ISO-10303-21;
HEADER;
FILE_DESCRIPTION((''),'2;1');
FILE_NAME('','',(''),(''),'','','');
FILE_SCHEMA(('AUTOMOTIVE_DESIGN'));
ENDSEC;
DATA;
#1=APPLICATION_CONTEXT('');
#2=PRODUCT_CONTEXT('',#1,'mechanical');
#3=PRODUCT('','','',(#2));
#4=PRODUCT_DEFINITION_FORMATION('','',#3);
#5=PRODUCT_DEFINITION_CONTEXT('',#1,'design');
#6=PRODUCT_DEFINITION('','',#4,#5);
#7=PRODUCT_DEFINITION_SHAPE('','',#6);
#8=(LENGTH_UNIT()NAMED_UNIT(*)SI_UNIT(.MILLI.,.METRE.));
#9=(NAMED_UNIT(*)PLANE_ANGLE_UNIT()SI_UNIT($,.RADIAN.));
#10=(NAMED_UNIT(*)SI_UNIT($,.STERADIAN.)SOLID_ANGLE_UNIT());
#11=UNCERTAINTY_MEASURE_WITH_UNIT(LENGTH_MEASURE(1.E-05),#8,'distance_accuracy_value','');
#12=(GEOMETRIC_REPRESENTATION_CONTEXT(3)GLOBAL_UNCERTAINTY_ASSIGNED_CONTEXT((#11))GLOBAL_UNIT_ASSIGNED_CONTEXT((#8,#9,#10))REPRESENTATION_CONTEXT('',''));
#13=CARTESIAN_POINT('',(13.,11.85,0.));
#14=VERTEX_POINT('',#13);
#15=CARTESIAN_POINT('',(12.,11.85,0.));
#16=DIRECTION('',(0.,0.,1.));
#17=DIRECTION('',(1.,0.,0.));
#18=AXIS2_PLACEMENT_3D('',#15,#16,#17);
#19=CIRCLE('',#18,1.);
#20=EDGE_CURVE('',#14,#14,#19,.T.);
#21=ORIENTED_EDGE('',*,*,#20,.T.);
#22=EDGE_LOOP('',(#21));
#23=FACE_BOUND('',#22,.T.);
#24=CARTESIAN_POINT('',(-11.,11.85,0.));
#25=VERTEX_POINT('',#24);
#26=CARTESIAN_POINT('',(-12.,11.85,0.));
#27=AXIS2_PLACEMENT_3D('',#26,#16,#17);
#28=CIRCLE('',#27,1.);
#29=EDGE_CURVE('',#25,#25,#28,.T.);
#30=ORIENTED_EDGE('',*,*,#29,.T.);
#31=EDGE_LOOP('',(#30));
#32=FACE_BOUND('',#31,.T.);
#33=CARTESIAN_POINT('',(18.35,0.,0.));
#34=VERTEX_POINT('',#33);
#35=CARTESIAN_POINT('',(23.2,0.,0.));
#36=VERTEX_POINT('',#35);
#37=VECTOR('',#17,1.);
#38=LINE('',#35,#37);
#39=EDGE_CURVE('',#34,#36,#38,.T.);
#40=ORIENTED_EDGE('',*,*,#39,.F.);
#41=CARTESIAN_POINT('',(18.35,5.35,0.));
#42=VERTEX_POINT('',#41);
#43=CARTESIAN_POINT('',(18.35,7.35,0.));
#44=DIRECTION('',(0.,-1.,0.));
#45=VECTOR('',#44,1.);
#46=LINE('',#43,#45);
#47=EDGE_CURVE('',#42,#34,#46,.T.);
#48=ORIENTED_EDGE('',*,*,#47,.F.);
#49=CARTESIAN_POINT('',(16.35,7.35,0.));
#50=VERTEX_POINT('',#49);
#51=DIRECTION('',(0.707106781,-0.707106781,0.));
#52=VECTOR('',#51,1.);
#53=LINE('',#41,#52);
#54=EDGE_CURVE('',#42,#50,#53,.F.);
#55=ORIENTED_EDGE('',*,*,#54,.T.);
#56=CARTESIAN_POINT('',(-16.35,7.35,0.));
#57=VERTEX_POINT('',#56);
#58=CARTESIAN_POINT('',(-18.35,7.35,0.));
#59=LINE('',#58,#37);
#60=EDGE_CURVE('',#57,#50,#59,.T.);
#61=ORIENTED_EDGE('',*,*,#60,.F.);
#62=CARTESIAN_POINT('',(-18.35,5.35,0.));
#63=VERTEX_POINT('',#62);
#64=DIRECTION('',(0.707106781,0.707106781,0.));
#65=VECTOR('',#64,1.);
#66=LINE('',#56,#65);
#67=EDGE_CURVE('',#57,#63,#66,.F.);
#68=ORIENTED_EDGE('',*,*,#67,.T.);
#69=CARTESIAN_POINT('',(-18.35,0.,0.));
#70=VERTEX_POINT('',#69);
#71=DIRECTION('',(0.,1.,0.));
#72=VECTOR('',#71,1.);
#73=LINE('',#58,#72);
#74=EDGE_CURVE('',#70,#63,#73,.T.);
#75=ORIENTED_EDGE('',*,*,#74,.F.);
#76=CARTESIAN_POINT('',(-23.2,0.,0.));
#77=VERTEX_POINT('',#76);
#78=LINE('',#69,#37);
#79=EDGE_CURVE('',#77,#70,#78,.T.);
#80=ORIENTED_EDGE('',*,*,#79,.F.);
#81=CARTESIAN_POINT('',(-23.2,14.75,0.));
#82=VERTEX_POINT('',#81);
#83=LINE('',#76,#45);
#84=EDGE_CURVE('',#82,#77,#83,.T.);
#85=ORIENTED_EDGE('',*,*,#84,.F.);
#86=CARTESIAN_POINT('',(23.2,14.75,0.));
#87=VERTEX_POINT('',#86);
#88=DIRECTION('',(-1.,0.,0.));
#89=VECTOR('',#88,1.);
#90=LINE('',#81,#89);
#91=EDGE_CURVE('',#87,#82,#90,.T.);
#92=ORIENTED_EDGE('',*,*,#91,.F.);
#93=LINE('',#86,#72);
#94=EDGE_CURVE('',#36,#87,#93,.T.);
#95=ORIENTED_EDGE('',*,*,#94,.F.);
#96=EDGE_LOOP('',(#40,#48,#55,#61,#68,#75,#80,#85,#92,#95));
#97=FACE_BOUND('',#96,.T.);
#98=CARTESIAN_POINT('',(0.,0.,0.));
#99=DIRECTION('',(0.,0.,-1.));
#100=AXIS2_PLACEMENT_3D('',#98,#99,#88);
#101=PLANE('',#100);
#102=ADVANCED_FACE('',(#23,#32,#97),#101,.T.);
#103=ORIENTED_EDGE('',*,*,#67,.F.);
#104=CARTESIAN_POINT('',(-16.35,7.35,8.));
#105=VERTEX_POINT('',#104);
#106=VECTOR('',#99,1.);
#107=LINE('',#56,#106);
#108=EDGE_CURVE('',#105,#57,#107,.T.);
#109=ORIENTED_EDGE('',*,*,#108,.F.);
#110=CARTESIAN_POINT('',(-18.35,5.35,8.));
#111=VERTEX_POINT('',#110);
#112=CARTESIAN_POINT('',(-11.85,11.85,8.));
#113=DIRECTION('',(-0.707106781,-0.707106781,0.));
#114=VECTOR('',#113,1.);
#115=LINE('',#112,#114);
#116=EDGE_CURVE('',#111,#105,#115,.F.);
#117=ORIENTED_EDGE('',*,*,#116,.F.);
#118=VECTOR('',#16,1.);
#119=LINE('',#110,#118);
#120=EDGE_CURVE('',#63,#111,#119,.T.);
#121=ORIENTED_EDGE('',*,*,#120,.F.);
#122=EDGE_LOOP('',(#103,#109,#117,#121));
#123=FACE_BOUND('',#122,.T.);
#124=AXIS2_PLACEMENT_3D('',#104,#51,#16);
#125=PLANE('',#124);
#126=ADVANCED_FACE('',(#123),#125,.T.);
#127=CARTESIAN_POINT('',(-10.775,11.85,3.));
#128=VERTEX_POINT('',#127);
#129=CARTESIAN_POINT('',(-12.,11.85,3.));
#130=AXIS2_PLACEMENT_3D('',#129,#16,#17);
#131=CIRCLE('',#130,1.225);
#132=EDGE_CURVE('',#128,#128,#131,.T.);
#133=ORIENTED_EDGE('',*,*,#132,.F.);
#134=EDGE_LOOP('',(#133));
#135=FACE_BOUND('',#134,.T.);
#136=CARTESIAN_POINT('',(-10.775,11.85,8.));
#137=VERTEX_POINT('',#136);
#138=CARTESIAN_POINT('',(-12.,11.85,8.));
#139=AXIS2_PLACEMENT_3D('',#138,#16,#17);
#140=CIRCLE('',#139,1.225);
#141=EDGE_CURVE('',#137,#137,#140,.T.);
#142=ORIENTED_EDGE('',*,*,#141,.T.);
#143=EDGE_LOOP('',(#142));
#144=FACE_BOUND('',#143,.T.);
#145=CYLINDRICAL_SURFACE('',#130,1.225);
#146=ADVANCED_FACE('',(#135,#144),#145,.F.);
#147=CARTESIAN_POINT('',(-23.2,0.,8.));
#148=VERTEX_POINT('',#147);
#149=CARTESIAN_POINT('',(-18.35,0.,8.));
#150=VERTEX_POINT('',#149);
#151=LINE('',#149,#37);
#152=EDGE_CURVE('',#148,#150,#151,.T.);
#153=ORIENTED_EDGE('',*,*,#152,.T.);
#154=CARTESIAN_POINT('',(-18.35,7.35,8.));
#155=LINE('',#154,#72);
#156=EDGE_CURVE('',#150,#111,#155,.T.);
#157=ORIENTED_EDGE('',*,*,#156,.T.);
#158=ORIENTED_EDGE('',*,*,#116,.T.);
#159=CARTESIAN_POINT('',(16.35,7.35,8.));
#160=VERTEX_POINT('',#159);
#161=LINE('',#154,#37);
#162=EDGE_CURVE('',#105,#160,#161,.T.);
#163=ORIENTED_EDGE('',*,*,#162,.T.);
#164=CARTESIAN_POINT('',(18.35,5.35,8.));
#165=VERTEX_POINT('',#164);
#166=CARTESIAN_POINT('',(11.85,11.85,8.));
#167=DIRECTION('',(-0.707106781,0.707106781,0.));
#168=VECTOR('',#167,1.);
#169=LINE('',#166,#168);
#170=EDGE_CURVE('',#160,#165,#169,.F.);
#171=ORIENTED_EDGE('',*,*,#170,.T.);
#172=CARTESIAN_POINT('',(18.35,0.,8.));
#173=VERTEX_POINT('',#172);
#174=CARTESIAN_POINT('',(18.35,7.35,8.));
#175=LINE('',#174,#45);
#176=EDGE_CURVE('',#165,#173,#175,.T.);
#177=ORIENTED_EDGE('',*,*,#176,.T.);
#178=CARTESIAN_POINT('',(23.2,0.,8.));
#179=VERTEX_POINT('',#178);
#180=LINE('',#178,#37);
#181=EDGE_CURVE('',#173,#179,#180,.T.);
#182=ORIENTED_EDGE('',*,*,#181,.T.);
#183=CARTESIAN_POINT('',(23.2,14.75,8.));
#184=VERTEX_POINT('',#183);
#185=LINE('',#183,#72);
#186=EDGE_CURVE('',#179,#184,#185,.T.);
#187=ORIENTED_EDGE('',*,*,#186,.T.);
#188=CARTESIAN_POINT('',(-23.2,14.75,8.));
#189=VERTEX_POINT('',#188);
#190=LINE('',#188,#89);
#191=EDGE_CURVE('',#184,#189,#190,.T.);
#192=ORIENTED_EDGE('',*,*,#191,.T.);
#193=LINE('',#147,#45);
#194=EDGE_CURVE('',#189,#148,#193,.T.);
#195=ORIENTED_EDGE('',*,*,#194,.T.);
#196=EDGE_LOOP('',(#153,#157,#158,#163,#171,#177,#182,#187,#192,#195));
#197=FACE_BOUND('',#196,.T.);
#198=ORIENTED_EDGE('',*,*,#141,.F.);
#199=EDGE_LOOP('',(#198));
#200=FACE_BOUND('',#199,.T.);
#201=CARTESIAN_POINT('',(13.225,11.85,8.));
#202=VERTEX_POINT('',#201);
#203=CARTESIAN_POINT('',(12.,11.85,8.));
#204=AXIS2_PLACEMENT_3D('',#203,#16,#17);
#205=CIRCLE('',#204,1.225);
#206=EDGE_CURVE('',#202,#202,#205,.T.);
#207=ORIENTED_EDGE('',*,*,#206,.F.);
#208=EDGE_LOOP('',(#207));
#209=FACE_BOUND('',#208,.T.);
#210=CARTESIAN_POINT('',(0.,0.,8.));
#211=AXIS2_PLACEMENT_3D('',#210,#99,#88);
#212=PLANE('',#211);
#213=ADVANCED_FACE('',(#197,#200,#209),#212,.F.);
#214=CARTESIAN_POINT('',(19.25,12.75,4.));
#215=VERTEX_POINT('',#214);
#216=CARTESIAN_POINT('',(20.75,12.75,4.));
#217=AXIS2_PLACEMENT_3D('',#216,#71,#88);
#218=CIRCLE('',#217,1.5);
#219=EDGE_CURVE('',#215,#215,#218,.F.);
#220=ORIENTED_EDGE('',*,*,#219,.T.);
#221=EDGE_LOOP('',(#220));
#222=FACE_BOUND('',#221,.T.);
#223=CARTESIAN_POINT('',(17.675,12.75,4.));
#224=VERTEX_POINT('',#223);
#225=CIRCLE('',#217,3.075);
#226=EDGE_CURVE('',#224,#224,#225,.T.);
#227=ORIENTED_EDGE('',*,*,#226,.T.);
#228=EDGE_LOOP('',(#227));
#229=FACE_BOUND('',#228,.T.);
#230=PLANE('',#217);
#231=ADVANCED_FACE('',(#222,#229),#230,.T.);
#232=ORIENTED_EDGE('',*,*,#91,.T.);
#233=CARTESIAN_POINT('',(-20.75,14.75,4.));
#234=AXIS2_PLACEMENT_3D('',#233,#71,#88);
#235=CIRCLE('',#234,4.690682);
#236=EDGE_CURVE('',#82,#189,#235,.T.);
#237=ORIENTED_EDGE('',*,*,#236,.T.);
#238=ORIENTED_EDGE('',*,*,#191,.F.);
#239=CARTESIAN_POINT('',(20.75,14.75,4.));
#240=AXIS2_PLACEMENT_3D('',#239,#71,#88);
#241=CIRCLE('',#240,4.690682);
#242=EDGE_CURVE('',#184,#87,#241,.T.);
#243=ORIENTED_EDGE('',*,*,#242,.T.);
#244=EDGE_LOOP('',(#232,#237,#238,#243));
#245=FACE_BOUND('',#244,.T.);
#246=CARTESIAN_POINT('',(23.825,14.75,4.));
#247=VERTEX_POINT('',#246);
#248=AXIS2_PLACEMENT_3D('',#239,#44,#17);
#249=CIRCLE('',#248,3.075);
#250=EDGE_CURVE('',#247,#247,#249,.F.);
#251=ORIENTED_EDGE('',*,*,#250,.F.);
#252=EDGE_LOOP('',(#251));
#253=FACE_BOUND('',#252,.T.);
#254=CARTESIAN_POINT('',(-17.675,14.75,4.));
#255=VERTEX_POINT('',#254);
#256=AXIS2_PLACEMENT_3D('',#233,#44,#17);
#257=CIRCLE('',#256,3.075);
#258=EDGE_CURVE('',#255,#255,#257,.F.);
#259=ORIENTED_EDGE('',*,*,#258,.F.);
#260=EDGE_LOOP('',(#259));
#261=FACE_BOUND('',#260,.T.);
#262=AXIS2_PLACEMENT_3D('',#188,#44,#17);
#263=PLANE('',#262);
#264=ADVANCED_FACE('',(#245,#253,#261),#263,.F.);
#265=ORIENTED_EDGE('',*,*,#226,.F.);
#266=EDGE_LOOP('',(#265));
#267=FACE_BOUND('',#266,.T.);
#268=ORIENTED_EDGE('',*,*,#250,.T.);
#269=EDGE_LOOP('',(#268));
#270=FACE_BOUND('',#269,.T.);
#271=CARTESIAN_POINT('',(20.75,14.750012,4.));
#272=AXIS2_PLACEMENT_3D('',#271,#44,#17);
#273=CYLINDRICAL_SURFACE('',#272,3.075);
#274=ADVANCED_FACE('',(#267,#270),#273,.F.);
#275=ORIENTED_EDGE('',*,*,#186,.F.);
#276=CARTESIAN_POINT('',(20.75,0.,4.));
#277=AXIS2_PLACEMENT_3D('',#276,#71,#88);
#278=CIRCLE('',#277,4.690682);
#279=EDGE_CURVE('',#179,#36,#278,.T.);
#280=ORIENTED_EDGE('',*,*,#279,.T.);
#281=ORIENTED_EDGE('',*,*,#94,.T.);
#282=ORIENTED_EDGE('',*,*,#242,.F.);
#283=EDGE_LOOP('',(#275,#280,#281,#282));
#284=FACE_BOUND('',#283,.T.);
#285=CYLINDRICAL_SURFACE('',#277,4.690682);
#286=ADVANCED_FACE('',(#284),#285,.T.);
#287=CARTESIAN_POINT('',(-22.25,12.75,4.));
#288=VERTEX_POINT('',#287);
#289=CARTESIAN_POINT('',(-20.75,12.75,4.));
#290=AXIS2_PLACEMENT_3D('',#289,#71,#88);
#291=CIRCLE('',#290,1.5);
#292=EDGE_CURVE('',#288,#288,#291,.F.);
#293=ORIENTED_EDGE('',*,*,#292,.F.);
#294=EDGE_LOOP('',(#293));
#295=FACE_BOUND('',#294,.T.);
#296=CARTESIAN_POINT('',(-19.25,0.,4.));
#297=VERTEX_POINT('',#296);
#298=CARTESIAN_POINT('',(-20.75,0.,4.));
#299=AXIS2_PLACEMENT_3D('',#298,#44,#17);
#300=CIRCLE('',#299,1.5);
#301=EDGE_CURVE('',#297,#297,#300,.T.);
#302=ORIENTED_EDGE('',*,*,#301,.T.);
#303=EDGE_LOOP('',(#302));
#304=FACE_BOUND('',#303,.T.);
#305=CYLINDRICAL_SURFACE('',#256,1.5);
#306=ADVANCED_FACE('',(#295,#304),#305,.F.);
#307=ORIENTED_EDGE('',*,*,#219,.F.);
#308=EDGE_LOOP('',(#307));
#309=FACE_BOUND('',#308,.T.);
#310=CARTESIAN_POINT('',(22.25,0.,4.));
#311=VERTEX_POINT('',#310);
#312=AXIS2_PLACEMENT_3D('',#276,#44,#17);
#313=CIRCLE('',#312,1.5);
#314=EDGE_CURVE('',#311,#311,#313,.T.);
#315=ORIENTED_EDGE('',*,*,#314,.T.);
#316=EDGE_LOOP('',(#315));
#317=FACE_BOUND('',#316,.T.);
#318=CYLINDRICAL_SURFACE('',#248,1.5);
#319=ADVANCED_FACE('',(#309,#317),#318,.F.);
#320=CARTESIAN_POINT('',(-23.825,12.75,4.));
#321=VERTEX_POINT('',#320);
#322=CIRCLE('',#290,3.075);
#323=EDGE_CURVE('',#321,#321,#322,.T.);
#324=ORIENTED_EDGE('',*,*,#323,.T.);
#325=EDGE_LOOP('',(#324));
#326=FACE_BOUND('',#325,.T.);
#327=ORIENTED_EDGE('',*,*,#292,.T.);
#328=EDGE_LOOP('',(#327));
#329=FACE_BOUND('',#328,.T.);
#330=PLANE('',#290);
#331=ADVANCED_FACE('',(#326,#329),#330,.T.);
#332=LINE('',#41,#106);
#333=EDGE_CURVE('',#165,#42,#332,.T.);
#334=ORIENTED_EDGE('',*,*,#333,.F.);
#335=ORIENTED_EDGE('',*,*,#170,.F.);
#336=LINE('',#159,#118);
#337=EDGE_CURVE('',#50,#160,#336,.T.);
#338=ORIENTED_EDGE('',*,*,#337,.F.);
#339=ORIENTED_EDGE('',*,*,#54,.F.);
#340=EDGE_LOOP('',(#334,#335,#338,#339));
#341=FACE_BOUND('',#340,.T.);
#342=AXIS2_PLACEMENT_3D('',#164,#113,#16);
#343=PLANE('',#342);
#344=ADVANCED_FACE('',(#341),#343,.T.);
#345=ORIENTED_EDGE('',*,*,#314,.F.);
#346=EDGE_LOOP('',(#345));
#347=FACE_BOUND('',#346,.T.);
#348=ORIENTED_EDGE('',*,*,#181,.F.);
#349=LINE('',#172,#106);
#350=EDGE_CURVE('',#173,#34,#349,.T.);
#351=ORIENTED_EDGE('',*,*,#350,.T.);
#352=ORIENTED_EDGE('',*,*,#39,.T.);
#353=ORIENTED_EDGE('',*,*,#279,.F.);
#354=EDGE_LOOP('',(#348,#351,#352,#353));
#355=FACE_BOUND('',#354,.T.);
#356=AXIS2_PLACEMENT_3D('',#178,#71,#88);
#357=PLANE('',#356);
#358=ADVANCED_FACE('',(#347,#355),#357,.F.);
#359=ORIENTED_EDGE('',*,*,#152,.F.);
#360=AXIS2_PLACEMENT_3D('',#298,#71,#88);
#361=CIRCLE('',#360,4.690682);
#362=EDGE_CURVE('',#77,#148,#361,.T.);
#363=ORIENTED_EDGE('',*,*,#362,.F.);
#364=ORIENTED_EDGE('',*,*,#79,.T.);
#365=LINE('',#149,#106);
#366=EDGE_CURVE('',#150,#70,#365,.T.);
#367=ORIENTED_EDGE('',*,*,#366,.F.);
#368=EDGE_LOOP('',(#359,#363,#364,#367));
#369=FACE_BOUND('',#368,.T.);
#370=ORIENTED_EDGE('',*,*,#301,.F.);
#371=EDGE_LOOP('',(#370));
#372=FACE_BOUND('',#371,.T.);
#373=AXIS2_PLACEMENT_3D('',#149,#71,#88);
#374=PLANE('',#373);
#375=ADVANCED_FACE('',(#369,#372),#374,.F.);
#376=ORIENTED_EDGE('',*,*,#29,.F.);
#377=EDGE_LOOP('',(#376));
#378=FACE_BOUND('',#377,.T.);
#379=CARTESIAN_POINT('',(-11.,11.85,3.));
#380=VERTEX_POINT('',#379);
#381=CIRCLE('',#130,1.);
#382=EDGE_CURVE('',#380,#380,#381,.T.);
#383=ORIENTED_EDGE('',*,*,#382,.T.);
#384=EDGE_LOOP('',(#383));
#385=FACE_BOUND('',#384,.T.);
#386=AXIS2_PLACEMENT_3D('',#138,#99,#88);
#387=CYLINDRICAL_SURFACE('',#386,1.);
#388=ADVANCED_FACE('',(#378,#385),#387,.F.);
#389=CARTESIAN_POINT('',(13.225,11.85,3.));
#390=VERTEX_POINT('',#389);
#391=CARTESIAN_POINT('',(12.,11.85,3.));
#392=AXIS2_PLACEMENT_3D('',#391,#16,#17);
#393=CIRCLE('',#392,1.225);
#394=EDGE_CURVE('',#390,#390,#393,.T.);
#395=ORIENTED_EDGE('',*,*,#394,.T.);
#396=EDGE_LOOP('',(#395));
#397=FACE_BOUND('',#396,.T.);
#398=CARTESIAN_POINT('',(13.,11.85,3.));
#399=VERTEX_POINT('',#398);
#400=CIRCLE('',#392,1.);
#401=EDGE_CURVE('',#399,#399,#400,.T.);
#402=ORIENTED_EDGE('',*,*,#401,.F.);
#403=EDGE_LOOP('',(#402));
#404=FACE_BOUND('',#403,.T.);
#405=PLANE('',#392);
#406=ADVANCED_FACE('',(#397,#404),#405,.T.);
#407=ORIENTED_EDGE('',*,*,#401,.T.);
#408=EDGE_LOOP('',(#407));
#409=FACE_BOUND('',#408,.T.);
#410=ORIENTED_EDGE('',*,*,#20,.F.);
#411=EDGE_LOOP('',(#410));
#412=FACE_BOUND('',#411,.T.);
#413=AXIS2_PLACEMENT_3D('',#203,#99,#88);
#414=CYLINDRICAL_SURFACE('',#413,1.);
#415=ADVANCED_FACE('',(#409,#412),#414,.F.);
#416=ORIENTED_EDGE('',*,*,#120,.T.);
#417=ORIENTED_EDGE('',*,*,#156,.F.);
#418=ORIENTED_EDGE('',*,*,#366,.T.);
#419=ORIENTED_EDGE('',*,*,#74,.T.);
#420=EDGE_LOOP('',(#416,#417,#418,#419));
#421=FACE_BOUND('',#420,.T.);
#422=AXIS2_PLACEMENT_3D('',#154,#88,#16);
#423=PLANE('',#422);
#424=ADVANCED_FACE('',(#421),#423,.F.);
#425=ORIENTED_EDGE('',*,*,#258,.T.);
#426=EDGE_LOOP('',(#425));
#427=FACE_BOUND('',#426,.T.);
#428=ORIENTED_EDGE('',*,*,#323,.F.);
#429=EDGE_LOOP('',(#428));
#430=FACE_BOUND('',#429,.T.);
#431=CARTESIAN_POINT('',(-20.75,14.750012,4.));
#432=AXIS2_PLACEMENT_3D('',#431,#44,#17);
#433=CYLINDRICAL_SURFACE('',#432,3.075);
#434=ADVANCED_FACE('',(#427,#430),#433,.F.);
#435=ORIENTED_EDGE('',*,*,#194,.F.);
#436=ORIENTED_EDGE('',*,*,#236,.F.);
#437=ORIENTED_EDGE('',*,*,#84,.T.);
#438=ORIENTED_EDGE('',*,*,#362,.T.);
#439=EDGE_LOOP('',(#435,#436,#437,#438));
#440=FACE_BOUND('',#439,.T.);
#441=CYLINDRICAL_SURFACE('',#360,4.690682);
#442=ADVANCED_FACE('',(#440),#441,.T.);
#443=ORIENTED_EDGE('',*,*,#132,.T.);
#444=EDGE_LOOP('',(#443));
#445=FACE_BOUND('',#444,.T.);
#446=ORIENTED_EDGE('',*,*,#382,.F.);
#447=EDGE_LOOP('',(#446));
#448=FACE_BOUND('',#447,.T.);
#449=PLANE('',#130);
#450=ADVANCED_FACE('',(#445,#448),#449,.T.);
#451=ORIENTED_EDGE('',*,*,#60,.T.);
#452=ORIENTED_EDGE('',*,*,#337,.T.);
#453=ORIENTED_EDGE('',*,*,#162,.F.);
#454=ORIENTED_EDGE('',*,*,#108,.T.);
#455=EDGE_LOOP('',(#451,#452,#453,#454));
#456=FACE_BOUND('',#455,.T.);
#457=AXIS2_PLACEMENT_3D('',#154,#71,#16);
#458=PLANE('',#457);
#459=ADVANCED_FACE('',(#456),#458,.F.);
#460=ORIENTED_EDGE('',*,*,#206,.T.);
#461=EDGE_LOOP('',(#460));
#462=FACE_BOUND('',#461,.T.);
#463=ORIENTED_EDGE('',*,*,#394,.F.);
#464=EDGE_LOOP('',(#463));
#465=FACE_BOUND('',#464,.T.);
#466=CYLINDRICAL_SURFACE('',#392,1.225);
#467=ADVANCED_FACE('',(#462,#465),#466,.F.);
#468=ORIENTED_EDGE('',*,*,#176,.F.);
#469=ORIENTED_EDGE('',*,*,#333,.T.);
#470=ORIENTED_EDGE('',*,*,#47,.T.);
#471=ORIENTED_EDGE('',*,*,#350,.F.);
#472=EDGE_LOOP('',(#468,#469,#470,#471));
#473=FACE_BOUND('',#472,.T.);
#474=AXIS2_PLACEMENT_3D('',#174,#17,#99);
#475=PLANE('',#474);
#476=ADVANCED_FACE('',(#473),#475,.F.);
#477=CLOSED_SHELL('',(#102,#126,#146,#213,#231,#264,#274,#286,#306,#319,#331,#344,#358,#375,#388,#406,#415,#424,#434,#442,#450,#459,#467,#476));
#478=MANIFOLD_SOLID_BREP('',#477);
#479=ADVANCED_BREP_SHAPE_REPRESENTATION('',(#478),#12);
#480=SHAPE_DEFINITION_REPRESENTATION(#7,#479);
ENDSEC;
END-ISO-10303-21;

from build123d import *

# Parameters (mm, degrees)
SKETCH1_R               = 1
BOSS_EXTRUDE1_DEPTH     = 8
SKETCH2_R               = 1.5
CUT_EXTRUDE1_DEPTH      = 15.75
BOSS_EXTRUDE2_DEPTH     = 14.75
SKETCH5_R               = 3.075
CUT_EXTRUDE2_DEPTH      = 1
CUT_EXTRUDE2_DEPTH_BACK = 2
CHAMFER2_SIZE           = 2
SKETCH6_R               = 1.225
CUT_EXTRUDE3_DEPTH      = 5


with BuildPart() as part:
    # Sketch1 → Boss-Extrude1 (new body)
    with BuildSketch(Plane.XY):
        Polygon((18.35, 7.35), (18.35, 0), (23.2, 0), (23.2, 14.75), (-23.2, 14.75), (-23.2, 0), (-18.35, 0), (-18.35, 7.35), align=None)
        with Locations((-12, 11.85)):
            Circle(SKETCH1_R, mode=Mode.SUBTRACT)
        with Locations((12, 11.85)):
            Circle(SKETCH1_R, mode=Mode.SUBTRACT)
    extrude(amount=BOSS_EXTRUDE1_DEPTH)

    # Sketch2 → Cut-Extrude1 (cut, through all)
    with BuildSketch(Plane.XZ):
        with Locations((-20.75, 4)):
            Circle(SKETCH2_R)
        with Locations((20.75, 4)):
            Circle(SKETCH2_R)
    extrude(amount=-CUT_EXTRUDE1_DEPTH, mode=Mode.SUBTRACT)

    # Sketch3 → Boss-Extrude2 (add)
    with BuildSketch(Plane(origin=(0, 14.75, 0), x_dir=(1, 0, 0), z_dir=(0, 1, 0))):
        with BuildLine():
            Line((23.2, -8), (23.2, 0))
            ThreePointArc((23.2, 0), (25.440682253, -4), (23.2, -8))
        make_face()
        with BuildLine():
            Line((-23.2, -8), (-23.2, 0))
            ThreePointArc((-23.2, 0), (-25.440682253, -4), (-23.2, -8))
        make_face()
    extrude(amount=-BOSS_EXTRUDE2_DEPTH)

    # Sketch5 → Cut-Extrude2 (cut, two sides)
    with BuildSketch(Plane(origin=(0, 14.75, 0), x_dir=(1, 0, 0), z_dir=(0, 1, 0))) as cut_extrude2_sk:
        with Locations((20.75, -4)):
            Circle(SKETCH5_R)
        with Locations((-20.75, -4)):
            Circle(SKETCH5_R)
    extrude(amount=CUT_EXTRUDE2_DEPTH, mode=Mode.SUBTRACT)
    extrude(cut_extrude2_sk.sketch, amount=-CUT_EXTRUDE2_DEPTH_BACK, mode=Mode.SUBTRACT)

    # Chamfer2
    chamfer2_edges = [part.edges().sort_by_distance(p)[0] for p in [
        (-18.35, 7.35, 4),
        (18.35, 7.35, 4),
    ]]
    chamfer(chamfer2_edges, length=CHAMFER2_SIZE)

    # Sketch6 → Cut-Extrude3 (cut)
    with BuildSketch(Plane.XY.offset(8)):
        with Locations((-12, 11.85)):
            Circle(SKETCH6_R)
        with Locations((12, 11.85)):
            Circle(SKETCH6_R)
    extrude(amount=-CUT_EXTRUDE3_DEPTH, mode=Mode.SUBTRACT)


solid = part.part
